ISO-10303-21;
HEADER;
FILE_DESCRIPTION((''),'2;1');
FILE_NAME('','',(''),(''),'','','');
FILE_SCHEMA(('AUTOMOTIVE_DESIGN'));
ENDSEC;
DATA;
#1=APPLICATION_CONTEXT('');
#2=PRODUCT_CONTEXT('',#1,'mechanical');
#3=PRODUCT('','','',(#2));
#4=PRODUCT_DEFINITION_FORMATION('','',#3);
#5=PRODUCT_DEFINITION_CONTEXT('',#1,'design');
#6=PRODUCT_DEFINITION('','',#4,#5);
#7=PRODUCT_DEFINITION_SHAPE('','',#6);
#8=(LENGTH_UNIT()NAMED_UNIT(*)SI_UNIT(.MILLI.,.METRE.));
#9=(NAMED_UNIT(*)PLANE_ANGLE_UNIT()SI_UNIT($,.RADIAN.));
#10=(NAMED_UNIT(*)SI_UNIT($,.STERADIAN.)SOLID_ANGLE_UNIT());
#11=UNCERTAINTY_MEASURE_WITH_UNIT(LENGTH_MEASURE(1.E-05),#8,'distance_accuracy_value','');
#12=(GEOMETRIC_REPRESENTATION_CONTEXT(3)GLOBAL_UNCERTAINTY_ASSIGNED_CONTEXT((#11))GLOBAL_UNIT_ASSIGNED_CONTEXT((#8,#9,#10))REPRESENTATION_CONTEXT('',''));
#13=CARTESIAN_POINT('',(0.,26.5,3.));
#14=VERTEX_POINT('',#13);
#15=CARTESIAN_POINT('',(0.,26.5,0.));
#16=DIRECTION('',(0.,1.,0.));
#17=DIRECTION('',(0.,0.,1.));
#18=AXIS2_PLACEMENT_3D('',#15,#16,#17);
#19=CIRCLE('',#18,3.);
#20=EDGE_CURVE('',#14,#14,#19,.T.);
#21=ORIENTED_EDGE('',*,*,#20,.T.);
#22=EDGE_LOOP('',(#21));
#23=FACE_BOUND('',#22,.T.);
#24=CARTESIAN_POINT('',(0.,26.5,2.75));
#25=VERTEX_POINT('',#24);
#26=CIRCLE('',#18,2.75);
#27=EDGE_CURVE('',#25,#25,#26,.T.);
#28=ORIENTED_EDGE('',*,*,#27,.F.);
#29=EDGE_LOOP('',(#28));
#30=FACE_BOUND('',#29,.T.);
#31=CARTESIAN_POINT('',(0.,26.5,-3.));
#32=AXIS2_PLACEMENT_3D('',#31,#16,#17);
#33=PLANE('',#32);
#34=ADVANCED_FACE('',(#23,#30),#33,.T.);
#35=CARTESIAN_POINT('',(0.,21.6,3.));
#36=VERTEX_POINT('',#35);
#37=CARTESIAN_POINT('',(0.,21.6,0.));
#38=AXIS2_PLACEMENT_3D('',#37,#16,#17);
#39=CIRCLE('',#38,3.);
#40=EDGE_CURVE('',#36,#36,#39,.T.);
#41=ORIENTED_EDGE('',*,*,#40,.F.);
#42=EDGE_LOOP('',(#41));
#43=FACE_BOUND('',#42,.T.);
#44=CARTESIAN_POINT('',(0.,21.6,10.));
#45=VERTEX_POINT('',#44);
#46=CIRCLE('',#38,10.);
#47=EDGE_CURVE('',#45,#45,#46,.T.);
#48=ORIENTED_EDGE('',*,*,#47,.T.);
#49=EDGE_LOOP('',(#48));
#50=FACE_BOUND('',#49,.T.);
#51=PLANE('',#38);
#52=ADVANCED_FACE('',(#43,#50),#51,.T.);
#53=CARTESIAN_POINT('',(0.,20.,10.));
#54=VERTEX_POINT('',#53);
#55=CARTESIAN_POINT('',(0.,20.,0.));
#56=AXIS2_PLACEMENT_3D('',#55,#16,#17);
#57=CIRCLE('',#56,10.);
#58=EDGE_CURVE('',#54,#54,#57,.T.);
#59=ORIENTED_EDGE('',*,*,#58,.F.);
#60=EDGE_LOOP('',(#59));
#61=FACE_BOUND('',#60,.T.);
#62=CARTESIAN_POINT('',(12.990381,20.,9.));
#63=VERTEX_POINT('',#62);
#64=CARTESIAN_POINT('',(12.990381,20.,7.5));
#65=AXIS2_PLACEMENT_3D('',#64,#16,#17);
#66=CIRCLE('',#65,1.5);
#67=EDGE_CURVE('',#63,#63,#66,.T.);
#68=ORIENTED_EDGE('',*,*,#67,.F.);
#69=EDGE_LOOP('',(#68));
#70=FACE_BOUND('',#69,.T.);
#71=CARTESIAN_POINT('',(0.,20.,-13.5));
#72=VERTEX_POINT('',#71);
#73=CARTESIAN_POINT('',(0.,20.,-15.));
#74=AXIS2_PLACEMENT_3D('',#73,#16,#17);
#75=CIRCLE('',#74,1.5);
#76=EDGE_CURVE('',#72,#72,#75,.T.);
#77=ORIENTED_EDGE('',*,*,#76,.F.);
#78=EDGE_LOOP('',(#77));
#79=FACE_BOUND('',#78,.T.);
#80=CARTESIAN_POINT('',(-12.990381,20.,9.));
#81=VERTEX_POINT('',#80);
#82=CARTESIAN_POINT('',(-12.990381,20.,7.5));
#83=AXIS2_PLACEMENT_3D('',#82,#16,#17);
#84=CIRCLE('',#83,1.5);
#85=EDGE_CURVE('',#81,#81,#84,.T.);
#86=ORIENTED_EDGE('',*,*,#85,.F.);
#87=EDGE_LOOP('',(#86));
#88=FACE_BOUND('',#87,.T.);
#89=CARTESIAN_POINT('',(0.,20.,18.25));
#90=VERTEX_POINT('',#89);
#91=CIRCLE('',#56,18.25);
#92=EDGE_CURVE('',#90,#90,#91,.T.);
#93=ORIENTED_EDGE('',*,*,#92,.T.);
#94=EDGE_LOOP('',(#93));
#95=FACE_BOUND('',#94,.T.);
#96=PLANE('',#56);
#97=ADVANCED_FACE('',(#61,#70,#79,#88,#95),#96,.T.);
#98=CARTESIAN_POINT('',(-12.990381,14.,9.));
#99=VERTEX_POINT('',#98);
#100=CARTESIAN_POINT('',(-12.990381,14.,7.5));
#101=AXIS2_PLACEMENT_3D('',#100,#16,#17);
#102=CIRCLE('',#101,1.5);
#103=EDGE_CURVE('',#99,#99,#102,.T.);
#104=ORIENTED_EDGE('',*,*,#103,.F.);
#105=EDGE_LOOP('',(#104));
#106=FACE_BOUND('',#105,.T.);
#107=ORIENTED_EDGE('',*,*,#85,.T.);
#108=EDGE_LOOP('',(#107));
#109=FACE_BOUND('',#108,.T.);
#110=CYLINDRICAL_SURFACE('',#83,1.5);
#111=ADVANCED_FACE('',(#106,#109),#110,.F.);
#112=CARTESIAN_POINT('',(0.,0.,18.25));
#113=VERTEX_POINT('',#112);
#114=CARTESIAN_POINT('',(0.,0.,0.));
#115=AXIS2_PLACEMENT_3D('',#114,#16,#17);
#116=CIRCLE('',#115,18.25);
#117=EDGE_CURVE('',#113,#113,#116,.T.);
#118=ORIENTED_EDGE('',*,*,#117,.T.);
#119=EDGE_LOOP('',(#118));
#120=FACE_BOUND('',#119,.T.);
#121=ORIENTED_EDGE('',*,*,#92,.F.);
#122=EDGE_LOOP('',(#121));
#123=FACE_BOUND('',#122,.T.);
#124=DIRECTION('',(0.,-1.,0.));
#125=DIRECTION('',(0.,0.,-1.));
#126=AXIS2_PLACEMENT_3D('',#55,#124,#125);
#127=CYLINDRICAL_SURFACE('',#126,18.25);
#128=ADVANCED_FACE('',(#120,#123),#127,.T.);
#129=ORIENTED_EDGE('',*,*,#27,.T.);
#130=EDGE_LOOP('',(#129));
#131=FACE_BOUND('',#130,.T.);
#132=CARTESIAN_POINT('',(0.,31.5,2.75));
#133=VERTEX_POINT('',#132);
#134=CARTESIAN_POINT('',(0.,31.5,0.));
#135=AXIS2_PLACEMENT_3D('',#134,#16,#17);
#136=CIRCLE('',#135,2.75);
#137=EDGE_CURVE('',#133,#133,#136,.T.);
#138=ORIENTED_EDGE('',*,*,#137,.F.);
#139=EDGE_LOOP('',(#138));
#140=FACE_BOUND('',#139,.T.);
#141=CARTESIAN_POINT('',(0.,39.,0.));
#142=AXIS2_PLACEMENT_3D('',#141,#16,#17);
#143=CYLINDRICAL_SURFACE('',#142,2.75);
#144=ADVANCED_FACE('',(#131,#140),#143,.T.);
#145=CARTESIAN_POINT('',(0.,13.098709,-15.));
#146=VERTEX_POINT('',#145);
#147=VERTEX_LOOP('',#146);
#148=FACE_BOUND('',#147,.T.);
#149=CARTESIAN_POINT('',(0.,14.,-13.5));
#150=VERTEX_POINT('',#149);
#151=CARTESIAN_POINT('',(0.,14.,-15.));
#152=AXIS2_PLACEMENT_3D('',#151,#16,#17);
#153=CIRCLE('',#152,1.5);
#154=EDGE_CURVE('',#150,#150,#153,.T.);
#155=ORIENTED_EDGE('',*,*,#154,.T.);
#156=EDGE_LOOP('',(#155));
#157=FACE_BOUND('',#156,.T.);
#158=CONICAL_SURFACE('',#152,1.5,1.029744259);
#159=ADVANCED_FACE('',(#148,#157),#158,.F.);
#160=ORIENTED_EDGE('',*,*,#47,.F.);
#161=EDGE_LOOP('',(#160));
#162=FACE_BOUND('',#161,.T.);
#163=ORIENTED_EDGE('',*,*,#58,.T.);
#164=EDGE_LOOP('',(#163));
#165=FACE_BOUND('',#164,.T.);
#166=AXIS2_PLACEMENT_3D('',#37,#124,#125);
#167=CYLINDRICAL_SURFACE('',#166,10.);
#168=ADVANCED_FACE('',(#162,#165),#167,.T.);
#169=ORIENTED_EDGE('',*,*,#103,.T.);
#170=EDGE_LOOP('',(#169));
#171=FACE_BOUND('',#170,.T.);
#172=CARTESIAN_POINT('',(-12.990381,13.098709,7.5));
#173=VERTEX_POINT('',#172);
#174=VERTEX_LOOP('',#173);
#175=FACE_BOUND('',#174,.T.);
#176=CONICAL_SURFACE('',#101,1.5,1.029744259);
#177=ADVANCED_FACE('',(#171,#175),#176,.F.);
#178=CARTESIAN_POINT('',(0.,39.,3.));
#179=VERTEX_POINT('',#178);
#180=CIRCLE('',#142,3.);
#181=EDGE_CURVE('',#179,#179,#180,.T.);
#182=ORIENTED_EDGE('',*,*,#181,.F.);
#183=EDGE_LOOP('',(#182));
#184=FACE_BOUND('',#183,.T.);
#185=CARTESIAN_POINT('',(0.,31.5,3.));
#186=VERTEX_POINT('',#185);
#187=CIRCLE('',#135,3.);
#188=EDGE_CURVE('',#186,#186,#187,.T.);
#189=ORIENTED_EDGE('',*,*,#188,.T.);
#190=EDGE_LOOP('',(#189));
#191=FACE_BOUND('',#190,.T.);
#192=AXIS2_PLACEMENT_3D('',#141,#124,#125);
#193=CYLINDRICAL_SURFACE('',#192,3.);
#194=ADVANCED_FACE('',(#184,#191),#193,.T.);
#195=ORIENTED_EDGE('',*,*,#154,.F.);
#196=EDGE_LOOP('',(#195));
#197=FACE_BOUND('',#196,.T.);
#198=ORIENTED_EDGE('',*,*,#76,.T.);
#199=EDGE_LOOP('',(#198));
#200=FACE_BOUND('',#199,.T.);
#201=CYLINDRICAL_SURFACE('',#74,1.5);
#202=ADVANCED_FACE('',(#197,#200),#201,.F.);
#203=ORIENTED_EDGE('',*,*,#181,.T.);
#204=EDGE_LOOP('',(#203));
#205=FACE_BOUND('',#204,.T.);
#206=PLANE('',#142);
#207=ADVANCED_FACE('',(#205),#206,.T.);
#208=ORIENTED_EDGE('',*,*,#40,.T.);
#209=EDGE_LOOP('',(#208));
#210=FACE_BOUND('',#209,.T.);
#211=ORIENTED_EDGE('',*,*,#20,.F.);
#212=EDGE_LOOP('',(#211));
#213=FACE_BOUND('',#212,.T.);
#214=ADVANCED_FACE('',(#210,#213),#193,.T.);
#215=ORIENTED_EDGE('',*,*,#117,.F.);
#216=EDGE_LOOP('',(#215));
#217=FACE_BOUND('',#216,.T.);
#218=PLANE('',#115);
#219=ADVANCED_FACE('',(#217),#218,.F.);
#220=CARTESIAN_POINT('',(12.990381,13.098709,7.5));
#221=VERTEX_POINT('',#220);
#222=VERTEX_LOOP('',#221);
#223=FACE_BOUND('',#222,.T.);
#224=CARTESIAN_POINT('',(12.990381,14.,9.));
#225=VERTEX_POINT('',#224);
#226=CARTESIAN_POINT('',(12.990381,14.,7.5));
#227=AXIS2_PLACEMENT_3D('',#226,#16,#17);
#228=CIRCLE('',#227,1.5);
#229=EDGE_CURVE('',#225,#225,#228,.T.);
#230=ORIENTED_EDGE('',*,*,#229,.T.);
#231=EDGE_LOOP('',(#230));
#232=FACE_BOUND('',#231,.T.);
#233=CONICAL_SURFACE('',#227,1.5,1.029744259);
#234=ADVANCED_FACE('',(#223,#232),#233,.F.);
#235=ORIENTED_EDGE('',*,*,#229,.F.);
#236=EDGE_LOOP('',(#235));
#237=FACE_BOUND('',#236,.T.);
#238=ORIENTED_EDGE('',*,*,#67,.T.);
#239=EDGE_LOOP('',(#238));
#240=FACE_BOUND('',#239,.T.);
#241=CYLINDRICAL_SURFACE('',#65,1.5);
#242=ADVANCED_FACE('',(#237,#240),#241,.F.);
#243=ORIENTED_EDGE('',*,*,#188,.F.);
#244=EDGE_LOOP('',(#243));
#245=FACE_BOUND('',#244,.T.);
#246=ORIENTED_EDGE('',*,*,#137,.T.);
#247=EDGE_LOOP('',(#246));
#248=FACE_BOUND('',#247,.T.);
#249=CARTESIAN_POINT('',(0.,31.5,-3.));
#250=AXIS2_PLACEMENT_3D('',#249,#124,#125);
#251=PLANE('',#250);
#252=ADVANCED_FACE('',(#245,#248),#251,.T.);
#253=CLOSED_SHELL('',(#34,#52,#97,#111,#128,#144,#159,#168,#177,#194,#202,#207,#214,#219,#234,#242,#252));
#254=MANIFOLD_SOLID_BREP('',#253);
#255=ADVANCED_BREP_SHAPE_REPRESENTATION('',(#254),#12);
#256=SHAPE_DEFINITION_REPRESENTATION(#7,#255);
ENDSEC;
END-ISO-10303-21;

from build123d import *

# Parameters (mm, degrees)
SKETCH1_R           = 18.25
BOSS_EXTRUDE1_DEPTH = 20
SKETCH2_R           = 10
BOSS_EXTRUDE2_DEPTH = 1.6
SKETCH3_R           = 3
BOSS_EXTRUDE3_DEPTH = 17.4
SKETCH4_W           = 0.25
SKETCH4_H           = 5
CIRPATTERN1_COUNT   = 3


with BuildPart() as part:
    # Sketch1 → Boss-Extrude1 (new body)
    with BuildSketch(Plane(origin=(0, 0, 0), x_dir=(1, 0, 0), z_dir=(0, 1, 0))):
        with Locations(Location((0, 0, 0), (0, 0, 270))):
            Circle(SKETCH1_R)
    extrude(amount=BOSS_EXTRUDE1_DEPTH)

    # Sketch2 → Boss-Extrude2 (add)
    with BuildSketch(Plane(origin=(0, 20, 0), x_dir=(1, 0, 0), z_dir=(0, 1, 0))):
        with Locations(Location((0, 0, 0), (0, 0, 270))):
            Circle(SKETCH2_R)
    extrude(amount=BOSS_EXTRUDE2_DEPTH)

    # Sketch3 → Boss-Extrude3 (add)
    with BuildSketch(Plane(origin=(0, 21.6, 0), x_dir=(1, 0, 0), z_dir=(0, 1, 0))):
        with Locations(Location((0, 0, 0), (0, 0, 270))):
            Circle(SKETCH3_R)
    extrude(amount=BOSS_EXTRUDE3_DEPTH)

    # Sketch4 → Cut-Revolve1 (revolve, cut)
    with BuildSketch(Plane(origin=(0, 0, 0), x_dir=(0, 0, -1), z_dir=(1, 0, 0)), mode=Mode.PRIVATE) as cut_revolve1_sk:
        with Locations((2.875, 29)):
            Rectangle(SKETCH4_W, SKETCH4_H)
    revolve(cut_revolve1_sk.sketch.rotate(Axis((0, 39, 0), (0, -1, 0)), 180), axis=Axis((0, 39, 0), (0, -1, 0)), mode=Mode.SUBTRACT)

    # Sketch7 → Ø3.0mm Dowel Hole1 (revolve, cut)
    with BuildSketch(Plane(origin=(0, 20, -15), x_dir=(0, 0, 1), z_dir=(1, 0, 0))):
        Polygon((0, 0), (0, 6.901290929), (1.5, 6), (1.5, 0), align=None)
    f_3_0mm_dowel_hole1 = revolve(axis=Axis((0, 26.35, -15), (0, -1, 0)), mode=Mode.SUBTRACT)

    # CirPattern1: Ø3.0mm Dowel Hole1 ×3 about axis
    cirpattern1_axis = Axis((0, 0, 0), (0, 1, 0))
    for i in range(1, CIRPATTERN1_COUNT):
        add(f_3_0mm_dowel_hole1.rotate(cirpattern1_axis, i * 360 / CIRPATTERN1_COUNT), mode=Mode.SUBTRACT)


solid = part.part
